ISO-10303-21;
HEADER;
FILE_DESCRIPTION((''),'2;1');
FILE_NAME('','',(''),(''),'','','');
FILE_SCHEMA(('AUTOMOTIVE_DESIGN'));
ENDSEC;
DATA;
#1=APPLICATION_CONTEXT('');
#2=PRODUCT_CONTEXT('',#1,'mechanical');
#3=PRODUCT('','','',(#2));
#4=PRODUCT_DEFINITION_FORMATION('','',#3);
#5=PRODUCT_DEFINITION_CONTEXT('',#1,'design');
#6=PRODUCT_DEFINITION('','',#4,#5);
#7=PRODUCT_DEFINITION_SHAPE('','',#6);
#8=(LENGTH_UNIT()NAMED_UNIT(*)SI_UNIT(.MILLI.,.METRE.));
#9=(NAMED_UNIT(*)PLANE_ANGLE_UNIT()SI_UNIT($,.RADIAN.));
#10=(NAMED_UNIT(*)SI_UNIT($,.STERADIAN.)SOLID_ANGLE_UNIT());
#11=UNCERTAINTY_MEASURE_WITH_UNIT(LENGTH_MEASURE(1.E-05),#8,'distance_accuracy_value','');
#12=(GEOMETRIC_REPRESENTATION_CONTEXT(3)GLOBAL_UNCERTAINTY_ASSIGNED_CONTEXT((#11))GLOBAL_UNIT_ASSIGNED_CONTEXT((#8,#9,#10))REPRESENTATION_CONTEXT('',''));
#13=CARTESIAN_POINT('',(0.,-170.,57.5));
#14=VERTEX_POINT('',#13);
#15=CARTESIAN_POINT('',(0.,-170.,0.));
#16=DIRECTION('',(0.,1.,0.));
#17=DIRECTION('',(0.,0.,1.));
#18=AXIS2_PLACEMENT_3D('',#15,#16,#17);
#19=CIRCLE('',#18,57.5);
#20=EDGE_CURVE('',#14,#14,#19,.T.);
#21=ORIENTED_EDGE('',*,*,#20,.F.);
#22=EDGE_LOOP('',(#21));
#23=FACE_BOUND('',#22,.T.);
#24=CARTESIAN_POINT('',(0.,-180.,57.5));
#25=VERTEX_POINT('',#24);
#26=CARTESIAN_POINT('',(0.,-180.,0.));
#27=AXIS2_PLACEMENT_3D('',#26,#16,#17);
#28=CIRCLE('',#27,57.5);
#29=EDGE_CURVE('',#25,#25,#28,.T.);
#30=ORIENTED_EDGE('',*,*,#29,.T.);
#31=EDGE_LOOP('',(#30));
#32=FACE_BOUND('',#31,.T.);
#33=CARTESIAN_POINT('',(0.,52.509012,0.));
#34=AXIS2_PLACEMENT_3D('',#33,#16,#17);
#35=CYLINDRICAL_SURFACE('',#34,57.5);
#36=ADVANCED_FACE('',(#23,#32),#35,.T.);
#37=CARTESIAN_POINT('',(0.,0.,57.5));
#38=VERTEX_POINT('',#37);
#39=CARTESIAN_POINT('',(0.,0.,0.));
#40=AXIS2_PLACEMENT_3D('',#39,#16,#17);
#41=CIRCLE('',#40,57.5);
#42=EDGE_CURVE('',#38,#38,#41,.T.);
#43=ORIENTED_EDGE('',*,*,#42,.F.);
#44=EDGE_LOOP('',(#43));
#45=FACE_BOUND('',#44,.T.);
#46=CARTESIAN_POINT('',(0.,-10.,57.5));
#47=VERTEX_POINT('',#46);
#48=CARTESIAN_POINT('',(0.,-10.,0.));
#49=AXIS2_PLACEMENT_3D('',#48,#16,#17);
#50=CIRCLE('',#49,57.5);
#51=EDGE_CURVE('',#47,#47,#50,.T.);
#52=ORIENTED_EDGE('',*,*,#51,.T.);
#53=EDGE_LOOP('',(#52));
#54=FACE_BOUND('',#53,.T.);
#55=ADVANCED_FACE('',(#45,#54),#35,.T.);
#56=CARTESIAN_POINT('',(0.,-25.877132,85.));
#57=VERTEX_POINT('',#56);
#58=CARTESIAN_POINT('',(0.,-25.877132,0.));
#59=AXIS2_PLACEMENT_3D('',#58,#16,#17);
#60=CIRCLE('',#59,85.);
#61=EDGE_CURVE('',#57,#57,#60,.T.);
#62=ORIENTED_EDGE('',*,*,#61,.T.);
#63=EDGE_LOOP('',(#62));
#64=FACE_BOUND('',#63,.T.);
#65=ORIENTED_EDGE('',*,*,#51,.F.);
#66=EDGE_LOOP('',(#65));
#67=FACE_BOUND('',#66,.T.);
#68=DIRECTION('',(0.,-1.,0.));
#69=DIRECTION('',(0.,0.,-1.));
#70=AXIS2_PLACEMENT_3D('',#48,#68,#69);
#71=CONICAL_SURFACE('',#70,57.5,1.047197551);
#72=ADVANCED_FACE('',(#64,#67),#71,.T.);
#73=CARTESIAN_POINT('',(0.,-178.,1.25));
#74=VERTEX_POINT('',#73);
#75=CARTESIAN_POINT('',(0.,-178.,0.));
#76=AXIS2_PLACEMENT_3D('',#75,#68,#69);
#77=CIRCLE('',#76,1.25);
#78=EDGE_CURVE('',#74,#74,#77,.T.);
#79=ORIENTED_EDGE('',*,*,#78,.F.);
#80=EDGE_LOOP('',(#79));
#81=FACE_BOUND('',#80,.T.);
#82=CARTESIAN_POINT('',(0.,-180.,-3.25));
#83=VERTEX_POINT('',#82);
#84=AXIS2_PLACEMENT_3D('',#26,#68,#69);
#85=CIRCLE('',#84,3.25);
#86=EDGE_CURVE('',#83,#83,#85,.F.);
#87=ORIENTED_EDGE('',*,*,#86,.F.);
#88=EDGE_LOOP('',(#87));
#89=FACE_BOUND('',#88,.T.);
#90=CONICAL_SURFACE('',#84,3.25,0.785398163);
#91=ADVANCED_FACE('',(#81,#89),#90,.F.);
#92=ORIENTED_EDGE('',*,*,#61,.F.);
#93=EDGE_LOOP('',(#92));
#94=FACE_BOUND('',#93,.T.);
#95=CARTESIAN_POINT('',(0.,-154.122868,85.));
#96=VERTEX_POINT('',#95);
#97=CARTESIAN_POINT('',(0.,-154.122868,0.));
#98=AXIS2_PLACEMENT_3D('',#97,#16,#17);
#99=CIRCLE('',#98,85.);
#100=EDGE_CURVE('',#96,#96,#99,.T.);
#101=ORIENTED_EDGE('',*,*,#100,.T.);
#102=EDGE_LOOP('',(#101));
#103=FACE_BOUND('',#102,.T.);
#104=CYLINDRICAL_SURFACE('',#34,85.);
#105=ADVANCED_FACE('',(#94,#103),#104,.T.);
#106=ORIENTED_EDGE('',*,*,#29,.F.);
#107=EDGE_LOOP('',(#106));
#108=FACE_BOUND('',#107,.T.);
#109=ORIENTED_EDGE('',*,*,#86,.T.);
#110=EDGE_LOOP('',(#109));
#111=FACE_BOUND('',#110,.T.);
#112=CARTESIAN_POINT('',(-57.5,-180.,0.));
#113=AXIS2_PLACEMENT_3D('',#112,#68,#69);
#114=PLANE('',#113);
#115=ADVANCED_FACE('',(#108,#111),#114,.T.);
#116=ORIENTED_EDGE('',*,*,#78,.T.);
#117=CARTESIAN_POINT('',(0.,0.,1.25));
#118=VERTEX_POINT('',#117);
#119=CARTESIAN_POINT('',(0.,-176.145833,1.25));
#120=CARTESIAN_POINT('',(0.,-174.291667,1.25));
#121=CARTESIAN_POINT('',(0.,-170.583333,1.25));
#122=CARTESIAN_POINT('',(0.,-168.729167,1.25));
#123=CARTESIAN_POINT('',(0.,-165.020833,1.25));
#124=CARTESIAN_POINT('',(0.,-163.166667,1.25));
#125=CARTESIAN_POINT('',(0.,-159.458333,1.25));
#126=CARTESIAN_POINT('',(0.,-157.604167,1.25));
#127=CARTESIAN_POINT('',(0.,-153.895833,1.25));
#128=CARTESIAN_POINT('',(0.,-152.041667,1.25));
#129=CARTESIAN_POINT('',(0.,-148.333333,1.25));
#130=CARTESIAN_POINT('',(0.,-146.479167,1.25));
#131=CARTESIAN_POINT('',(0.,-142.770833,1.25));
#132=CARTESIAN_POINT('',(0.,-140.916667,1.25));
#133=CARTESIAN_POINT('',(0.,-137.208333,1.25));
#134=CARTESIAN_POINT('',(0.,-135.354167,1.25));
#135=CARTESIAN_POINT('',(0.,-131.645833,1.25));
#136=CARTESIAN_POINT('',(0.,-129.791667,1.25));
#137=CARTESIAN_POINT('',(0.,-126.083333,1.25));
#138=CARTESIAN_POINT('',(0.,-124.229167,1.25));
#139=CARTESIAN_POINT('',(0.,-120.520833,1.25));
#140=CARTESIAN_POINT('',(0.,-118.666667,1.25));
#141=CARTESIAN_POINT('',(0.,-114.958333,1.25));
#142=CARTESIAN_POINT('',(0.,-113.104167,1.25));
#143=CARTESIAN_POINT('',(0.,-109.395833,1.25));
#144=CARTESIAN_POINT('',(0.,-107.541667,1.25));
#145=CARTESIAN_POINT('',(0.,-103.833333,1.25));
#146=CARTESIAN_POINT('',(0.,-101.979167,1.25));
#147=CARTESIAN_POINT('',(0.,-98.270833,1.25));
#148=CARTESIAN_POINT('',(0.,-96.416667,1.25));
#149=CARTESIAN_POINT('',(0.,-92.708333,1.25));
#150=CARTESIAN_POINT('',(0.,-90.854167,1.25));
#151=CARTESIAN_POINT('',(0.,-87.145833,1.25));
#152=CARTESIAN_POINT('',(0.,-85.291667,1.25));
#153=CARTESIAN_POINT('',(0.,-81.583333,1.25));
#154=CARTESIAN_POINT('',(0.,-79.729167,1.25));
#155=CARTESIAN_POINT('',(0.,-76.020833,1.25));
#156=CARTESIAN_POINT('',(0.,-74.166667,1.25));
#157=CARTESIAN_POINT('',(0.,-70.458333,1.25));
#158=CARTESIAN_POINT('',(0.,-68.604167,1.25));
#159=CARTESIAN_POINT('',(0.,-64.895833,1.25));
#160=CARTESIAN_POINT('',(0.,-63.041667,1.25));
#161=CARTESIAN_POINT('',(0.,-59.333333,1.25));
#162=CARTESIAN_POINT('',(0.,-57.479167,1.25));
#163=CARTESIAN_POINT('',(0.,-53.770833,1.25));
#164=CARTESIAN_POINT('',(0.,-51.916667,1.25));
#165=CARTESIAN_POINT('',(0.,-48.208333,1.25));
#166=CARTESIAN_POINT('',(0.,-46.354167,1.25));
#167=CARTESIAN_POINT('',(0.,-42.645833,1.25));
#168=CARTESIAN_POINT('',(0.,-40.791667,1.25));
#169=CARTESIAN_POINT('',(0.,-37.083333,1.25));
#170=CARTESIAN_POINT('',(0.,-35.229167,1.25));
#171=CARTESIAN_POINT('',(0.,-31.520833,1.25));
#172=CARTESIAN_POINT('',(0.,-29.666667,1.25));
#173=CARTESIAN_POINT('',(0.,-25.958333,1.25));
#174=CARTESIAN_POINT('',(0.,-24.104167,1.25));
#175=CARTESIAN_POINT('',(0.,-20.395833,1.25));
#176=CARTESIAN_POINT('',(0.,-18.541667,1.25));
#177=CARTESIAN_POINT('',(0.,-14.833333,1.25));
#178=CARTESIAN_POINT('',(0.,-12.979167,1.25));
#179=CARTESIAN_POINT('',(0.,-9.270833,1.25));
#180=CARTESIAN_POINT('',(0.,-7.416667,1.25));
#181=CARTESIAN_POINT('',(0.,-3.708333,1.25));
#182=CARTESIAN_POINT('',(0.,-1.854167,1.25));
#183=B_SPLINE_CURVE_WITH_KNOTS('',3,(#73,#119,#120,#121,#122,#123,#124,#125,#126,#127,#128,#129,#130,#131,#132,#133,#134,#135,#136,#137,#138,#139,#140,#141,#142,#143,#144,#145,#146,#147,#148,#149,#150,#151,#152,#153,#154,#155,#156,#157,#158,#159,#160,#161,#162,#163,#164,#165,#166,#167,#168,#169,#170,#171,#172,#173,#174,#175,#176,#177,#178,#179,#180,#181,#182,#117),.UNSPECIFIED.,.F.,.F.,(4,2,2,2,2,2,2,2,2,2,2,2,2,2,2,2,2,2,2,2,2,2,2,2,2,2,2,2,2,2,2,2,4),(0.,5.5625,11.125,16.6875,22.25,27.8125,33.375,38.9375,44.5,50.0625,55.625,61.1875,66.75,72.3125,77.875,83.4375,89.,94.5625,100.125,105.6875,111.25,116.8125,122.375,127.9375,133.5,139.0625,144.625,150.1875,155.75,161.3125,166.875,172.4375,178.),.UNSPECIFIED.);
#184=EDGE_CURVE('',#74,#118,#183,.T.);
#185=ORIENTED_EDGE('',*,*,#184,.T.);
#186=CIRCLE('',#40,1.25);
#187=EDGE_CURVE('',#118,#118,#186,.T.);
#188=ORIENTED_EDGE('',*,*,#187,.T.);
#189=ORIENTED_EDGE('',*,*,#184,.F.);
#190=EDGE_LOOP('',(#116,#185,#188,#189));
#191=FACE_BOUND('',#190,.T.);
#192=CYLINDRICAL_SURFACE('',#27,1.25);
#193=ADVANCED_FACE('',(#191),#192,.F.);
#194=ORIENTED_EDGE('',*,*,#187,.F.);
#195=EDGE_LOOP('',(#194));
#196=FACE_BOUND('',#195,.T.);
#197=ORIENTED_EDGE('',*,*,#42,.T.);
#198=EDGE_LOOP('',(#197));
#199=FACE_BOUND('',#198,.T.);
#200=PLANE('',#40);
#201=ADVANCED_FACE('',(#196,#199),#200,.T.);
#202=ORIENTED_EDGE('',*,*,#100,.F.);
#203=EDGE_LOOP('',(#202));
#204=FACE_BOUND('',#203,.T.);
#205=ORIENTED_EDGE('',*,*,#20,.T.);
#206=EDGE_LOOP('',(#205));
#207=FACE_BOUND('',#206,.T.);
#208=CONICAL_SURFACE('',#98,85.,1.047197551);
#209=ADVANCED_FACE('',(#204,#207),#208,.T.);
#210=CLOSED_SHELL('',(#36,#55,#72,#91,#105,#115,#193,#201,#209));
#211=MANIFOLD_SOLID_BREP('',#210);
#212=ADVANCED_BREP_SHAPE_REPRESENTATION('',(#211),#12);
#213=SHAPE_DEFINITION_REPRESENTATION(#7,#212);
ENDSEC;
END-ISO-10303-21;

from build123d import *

# Parameters (mm, degrees)
SKETCH2_R          = 1.25
CUT_EXTRUDE1_DEPTH = 217.448608219
CHAMFER1_SIZE      = 2


with BuildPart() as part:
    # Sketch1 → Revolve1 (revolve)
    with BuildSketch(Plane.XY, mode=Mode.PRIVATE) as revolve1_sk:
        Polygon((0, 0), (-57.5, 0), (-57.5, -10), (-85, -25.877132403), (-85, -154.122867597), (-57.5, -170), (-57.5, -180), (0, -180), align=None)
    revolve(revolve1_sk.sketch.rotate(Axis((0, 52.509012346, 0), (0, -1, 0)), 270), axis=Axis((0, 52.509012346, 0), (0, -1, 0)))

    # Sketch2 → Cut-Extrude1 (cut, through all)
    with BuildSketch(Plane(origin=(0, 0, 0), x_dir=(1, 0, 0), z_dir=(0, 1, 0))):
        with Locations(Location((0, 0, 0), (0, 0, 270))):
            Circle(SKETCH2_R)
    extrude(amount=-CUT_EXTRUDE1_DEPTH, mode=Mode.SUBTRACT)

    # Chamfer1
    chamfer1_edges = [part.edges().sort_by_distance(p)[0] for p in [
        (0, -180, -1.25),
    ]]
    chamfer(chamfer1_edges, length=CHAMFER1_SIZE)


solid = part.part
